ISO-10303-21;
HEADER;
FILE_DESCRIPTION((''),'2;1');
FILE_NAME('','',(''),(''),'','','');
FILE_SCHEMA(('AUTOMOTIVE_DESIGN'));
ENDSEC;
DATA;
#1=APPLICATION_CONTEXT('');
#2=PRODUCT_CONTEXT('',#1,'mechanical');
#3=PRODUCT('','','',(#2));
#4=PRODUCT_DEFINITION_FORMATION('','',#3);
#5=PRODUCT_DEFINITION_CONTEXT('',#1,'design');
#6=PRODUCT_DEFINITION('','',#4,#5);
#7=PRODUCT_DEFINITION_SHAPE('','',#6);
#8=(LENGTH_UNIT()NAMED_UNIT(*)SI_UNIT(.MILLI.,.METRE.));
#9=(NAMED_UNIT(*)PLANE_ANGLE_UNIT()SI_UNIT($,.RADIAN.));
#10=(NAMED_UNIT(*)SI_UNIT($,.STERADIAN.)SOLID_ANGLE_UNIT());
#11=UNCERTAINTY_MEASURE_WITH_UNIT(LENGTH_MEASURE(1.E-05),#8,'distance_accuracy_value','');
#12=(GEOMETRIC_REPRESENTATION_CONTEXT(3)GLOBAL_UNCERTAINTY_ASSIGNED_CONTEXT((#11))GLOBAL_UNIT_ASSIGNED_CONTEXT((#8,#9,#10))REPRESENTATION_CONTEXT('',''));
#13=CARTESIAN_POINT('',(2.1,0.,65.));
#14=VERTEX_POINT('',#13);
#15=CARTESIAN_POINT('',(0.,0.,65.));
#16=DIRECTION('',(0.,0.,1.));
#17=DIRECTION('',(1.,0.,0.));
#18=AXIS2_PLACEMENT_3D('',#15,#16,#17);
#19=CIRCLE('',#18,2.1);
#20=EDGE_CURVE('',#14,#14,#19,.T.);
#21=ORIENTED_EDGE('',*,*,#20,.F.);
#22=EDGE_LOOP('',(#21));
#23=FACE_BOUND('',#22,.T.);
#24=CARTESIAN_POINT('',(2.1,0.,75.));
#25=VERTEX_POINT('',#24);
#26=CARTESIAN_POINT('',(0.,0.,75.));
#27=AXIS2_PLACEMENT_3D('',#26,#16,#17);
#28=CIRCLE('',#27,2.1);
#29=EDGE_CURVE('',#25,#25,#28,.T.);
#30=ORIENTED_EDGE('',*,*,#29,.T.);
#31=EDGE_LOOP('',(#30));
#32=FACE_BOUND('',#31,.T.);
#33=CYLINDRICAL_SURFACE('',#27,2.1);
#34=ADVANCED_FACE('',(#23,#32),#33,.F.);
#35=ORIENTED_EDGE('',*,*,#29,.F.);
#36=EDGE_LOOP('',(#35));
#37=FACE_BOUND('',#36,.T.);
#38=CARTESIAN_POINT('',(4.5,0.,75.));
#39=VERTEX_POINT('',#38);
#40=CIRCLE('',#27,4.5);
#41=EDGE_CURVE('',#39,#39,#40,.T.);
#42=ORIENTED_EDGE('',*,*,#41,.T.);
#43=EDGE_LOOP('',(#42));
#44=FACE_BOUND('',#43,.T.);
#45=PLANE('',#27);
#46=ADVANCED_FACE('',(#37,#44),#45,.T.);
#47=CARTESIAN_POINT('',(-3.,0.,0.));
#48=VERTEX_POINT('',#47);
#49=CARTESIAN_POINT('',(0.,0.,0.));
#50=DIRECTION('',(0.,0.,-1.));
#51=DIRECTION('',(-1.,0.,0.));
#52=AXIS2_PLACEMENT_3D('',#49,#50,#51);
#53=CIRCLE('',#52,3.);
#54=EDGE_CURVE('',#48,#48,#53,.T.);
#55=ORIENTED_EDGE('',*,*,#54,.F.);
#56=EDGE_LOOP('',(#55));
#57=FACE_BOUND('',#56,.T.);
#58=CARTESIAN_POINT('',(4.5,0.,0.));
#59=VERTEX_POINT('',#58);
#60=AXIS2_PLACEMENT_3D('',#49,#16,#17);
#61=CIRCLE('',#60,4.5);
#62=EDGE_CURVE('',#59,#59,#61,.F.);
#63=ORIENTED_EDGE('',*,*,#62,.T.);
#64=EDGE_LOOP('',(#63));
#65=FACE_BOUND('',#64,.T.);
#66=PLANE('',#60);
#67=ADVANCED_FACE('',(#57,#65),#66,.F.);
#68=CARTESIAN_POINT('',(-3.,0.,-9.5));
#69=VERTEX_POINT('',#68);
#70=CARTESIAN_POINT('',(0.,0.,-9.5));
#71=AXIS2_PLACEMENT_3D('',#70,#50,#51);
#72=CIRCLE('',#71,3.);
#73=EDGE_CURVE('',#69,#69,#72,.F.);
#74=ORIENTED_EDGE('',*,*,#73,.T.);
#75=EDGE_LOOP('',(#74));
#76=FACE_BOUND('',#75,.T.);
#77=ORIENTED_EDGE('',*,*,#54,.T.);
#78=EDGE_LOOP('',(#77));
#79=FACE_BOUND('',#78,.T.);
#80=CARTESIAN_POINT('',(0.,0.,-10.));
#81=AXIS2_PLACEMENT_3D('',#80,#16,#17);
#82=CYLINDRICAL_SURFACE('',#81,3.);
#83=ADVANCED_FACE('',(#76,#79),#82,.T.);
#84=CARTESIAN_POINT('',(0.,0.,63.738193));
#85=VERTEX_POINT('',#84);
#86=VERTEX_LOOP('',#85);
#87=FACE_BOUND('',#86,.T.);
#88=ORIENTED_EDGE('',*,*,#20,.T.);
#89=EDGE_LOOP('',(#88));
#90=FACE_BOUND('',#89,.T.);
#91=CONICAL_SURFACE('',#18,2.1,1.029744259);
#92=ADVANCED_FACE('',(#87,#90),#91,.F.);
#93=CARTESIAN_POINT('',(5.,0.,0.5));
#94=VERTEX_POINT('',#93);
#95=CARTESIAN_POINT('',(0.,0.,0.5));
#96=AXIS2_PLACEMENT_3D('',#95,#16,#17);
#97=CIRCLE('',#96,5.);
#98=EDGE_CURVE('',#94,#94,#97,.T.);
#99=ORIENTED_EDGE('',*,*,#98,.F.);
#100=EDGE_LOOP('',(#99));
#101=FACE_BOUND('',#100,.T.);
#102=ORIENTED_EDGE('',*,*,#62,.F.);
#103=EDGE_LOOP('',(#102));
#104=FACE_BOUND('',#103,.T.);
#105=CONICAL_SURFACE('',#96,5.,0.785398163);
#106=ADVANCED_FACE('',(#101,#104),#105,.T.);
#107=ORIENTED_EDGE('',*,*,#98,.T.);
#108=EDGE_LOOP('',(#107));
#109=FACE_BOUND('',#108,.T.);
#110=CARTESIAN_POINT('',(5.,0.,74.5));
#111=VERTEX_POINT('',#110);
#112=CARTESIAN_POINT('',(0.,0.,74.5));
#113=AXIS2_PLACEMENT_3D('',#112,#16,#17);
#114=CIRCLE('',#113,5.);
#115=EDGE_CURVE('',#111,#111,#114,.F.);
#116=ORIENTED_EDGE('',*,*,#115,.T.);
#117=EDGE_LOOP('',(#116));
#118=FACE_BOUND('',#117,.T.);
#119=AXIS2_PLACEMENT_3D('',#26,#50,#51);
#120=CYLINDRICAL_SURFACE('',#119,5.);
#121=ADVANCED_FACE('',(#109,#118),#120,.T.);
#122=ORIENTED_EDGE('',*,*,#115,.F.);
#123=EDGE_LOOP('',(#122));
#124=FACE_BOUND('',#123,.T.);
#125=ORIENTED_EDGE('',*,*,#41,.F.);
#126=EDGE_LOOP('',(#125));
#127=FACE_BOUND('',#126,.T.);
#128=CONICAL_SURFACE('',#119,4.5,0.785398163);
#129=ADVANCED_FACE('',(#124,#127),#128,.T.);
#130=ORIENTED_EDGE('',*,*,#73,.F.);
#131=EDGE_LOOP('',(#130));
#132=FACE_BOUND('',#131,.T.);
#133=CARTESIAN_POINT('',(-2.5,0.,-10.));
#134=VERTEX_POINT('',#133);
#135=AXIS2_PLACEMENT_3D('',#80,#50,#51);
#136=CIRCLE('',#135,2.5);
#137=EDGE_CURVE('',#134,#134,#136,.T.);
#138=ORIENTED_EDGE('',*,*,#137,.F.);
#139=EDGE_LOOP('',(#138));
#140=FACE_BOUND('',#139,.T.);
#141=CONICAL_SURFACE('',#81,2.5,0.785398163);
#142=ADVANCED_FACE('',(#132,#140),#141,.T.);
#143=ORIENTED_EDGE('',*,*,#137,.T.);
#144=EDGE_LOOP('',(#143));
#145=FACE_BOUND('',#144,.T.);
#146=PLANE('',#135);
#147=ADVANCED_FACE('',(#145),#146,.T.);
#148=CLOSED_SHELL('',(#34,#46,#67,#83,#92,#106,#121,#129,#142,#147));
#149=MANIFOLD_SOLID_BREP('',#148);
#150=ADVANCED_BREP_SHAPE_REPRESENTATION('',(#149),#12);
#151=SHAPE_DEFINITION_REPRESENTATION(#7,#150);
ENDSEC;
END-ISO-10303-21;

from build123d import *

# Parameters (mm, degrees)
ESQUISSE1_R                                   = 5
BOSS_EXTRU_1_DEPTH                            = 75
ESQUISSE2_R                                   = 3
BOSS_EXTRU_2_DEPTH                            = 10
TROU_POUR_TARAUDAGE_POUR_TROU_TARAUD_M5_D     = 4.2
TROU_POUR_TARAUDAGE_POUR_TROU_TARAUD_M5_DEPTH = 10
TROU_POUR_TARAUDAGE_POUR_TROU_TARAUD_M5_TIP   = 1.2618073
CHANFREIN1_SIZE                               = 0.5


with BuildPart() as part:
    # Esquisse1 → Boss.-Extru.1 (new body)
    with BuildSketch(Plane.XY):
        Circle(ESQUISSE1_R)
    extrude(amount=BOSS_EXTRU_1_DEPTH)

    # Esquisse2 → Boss.-Extru.2 (add)
    with BuildSketch(Plane(origin=(0, 0, 0), x_dir=(-1, 0, 0), z_dir=(0, 0, -1))):
        Circle(ESQUISSE2_R)
    extrude(amount=BOSS_EXTRU_2_DEPTH)

    # Trou pour taraudage pour trou taraudé M51
    with Locations(Plane.XY.offset(75)):
        with Locations((0, 0)):
            Hole(TROU_POUR_TARAUDAGE_POUR_TROU_TARAUD_M5_D / 2, depth=TROU_POUR_TARAUDAGE_POUR_TROU_TARAUD_M5_DEPTH)
            with Locations((0, 0, -(TROU_POUR_TARAUDAGE_POUR_TROU_TARAUD_M5_DEPTH + TROU_POUR_TARAUDAGE_POUR_TROU_TARAUD_M5_TIP / 2))):  # 118° drill point
                Cone(0, TROU_POUR_TARAUDAGE_POUR_TROU_TARAUD_M5_D / 2, TROU_POUR_TARAUDAGE_POUR_TROU_TARAUD_M5_TIP, mode=Mode.SUBTRACT)

    # Chanfrein1
    chanfrein1_edges = [part.edges().sort_by_distance(p)[0] for p in [
        (-5, 0, 0),
        (-5, 0, 75),
        (3, 0, -10),
    ]]
    chamfer(chanfrein1_edges, length=CHANFREIN1_SIZE)


solid = part.part
